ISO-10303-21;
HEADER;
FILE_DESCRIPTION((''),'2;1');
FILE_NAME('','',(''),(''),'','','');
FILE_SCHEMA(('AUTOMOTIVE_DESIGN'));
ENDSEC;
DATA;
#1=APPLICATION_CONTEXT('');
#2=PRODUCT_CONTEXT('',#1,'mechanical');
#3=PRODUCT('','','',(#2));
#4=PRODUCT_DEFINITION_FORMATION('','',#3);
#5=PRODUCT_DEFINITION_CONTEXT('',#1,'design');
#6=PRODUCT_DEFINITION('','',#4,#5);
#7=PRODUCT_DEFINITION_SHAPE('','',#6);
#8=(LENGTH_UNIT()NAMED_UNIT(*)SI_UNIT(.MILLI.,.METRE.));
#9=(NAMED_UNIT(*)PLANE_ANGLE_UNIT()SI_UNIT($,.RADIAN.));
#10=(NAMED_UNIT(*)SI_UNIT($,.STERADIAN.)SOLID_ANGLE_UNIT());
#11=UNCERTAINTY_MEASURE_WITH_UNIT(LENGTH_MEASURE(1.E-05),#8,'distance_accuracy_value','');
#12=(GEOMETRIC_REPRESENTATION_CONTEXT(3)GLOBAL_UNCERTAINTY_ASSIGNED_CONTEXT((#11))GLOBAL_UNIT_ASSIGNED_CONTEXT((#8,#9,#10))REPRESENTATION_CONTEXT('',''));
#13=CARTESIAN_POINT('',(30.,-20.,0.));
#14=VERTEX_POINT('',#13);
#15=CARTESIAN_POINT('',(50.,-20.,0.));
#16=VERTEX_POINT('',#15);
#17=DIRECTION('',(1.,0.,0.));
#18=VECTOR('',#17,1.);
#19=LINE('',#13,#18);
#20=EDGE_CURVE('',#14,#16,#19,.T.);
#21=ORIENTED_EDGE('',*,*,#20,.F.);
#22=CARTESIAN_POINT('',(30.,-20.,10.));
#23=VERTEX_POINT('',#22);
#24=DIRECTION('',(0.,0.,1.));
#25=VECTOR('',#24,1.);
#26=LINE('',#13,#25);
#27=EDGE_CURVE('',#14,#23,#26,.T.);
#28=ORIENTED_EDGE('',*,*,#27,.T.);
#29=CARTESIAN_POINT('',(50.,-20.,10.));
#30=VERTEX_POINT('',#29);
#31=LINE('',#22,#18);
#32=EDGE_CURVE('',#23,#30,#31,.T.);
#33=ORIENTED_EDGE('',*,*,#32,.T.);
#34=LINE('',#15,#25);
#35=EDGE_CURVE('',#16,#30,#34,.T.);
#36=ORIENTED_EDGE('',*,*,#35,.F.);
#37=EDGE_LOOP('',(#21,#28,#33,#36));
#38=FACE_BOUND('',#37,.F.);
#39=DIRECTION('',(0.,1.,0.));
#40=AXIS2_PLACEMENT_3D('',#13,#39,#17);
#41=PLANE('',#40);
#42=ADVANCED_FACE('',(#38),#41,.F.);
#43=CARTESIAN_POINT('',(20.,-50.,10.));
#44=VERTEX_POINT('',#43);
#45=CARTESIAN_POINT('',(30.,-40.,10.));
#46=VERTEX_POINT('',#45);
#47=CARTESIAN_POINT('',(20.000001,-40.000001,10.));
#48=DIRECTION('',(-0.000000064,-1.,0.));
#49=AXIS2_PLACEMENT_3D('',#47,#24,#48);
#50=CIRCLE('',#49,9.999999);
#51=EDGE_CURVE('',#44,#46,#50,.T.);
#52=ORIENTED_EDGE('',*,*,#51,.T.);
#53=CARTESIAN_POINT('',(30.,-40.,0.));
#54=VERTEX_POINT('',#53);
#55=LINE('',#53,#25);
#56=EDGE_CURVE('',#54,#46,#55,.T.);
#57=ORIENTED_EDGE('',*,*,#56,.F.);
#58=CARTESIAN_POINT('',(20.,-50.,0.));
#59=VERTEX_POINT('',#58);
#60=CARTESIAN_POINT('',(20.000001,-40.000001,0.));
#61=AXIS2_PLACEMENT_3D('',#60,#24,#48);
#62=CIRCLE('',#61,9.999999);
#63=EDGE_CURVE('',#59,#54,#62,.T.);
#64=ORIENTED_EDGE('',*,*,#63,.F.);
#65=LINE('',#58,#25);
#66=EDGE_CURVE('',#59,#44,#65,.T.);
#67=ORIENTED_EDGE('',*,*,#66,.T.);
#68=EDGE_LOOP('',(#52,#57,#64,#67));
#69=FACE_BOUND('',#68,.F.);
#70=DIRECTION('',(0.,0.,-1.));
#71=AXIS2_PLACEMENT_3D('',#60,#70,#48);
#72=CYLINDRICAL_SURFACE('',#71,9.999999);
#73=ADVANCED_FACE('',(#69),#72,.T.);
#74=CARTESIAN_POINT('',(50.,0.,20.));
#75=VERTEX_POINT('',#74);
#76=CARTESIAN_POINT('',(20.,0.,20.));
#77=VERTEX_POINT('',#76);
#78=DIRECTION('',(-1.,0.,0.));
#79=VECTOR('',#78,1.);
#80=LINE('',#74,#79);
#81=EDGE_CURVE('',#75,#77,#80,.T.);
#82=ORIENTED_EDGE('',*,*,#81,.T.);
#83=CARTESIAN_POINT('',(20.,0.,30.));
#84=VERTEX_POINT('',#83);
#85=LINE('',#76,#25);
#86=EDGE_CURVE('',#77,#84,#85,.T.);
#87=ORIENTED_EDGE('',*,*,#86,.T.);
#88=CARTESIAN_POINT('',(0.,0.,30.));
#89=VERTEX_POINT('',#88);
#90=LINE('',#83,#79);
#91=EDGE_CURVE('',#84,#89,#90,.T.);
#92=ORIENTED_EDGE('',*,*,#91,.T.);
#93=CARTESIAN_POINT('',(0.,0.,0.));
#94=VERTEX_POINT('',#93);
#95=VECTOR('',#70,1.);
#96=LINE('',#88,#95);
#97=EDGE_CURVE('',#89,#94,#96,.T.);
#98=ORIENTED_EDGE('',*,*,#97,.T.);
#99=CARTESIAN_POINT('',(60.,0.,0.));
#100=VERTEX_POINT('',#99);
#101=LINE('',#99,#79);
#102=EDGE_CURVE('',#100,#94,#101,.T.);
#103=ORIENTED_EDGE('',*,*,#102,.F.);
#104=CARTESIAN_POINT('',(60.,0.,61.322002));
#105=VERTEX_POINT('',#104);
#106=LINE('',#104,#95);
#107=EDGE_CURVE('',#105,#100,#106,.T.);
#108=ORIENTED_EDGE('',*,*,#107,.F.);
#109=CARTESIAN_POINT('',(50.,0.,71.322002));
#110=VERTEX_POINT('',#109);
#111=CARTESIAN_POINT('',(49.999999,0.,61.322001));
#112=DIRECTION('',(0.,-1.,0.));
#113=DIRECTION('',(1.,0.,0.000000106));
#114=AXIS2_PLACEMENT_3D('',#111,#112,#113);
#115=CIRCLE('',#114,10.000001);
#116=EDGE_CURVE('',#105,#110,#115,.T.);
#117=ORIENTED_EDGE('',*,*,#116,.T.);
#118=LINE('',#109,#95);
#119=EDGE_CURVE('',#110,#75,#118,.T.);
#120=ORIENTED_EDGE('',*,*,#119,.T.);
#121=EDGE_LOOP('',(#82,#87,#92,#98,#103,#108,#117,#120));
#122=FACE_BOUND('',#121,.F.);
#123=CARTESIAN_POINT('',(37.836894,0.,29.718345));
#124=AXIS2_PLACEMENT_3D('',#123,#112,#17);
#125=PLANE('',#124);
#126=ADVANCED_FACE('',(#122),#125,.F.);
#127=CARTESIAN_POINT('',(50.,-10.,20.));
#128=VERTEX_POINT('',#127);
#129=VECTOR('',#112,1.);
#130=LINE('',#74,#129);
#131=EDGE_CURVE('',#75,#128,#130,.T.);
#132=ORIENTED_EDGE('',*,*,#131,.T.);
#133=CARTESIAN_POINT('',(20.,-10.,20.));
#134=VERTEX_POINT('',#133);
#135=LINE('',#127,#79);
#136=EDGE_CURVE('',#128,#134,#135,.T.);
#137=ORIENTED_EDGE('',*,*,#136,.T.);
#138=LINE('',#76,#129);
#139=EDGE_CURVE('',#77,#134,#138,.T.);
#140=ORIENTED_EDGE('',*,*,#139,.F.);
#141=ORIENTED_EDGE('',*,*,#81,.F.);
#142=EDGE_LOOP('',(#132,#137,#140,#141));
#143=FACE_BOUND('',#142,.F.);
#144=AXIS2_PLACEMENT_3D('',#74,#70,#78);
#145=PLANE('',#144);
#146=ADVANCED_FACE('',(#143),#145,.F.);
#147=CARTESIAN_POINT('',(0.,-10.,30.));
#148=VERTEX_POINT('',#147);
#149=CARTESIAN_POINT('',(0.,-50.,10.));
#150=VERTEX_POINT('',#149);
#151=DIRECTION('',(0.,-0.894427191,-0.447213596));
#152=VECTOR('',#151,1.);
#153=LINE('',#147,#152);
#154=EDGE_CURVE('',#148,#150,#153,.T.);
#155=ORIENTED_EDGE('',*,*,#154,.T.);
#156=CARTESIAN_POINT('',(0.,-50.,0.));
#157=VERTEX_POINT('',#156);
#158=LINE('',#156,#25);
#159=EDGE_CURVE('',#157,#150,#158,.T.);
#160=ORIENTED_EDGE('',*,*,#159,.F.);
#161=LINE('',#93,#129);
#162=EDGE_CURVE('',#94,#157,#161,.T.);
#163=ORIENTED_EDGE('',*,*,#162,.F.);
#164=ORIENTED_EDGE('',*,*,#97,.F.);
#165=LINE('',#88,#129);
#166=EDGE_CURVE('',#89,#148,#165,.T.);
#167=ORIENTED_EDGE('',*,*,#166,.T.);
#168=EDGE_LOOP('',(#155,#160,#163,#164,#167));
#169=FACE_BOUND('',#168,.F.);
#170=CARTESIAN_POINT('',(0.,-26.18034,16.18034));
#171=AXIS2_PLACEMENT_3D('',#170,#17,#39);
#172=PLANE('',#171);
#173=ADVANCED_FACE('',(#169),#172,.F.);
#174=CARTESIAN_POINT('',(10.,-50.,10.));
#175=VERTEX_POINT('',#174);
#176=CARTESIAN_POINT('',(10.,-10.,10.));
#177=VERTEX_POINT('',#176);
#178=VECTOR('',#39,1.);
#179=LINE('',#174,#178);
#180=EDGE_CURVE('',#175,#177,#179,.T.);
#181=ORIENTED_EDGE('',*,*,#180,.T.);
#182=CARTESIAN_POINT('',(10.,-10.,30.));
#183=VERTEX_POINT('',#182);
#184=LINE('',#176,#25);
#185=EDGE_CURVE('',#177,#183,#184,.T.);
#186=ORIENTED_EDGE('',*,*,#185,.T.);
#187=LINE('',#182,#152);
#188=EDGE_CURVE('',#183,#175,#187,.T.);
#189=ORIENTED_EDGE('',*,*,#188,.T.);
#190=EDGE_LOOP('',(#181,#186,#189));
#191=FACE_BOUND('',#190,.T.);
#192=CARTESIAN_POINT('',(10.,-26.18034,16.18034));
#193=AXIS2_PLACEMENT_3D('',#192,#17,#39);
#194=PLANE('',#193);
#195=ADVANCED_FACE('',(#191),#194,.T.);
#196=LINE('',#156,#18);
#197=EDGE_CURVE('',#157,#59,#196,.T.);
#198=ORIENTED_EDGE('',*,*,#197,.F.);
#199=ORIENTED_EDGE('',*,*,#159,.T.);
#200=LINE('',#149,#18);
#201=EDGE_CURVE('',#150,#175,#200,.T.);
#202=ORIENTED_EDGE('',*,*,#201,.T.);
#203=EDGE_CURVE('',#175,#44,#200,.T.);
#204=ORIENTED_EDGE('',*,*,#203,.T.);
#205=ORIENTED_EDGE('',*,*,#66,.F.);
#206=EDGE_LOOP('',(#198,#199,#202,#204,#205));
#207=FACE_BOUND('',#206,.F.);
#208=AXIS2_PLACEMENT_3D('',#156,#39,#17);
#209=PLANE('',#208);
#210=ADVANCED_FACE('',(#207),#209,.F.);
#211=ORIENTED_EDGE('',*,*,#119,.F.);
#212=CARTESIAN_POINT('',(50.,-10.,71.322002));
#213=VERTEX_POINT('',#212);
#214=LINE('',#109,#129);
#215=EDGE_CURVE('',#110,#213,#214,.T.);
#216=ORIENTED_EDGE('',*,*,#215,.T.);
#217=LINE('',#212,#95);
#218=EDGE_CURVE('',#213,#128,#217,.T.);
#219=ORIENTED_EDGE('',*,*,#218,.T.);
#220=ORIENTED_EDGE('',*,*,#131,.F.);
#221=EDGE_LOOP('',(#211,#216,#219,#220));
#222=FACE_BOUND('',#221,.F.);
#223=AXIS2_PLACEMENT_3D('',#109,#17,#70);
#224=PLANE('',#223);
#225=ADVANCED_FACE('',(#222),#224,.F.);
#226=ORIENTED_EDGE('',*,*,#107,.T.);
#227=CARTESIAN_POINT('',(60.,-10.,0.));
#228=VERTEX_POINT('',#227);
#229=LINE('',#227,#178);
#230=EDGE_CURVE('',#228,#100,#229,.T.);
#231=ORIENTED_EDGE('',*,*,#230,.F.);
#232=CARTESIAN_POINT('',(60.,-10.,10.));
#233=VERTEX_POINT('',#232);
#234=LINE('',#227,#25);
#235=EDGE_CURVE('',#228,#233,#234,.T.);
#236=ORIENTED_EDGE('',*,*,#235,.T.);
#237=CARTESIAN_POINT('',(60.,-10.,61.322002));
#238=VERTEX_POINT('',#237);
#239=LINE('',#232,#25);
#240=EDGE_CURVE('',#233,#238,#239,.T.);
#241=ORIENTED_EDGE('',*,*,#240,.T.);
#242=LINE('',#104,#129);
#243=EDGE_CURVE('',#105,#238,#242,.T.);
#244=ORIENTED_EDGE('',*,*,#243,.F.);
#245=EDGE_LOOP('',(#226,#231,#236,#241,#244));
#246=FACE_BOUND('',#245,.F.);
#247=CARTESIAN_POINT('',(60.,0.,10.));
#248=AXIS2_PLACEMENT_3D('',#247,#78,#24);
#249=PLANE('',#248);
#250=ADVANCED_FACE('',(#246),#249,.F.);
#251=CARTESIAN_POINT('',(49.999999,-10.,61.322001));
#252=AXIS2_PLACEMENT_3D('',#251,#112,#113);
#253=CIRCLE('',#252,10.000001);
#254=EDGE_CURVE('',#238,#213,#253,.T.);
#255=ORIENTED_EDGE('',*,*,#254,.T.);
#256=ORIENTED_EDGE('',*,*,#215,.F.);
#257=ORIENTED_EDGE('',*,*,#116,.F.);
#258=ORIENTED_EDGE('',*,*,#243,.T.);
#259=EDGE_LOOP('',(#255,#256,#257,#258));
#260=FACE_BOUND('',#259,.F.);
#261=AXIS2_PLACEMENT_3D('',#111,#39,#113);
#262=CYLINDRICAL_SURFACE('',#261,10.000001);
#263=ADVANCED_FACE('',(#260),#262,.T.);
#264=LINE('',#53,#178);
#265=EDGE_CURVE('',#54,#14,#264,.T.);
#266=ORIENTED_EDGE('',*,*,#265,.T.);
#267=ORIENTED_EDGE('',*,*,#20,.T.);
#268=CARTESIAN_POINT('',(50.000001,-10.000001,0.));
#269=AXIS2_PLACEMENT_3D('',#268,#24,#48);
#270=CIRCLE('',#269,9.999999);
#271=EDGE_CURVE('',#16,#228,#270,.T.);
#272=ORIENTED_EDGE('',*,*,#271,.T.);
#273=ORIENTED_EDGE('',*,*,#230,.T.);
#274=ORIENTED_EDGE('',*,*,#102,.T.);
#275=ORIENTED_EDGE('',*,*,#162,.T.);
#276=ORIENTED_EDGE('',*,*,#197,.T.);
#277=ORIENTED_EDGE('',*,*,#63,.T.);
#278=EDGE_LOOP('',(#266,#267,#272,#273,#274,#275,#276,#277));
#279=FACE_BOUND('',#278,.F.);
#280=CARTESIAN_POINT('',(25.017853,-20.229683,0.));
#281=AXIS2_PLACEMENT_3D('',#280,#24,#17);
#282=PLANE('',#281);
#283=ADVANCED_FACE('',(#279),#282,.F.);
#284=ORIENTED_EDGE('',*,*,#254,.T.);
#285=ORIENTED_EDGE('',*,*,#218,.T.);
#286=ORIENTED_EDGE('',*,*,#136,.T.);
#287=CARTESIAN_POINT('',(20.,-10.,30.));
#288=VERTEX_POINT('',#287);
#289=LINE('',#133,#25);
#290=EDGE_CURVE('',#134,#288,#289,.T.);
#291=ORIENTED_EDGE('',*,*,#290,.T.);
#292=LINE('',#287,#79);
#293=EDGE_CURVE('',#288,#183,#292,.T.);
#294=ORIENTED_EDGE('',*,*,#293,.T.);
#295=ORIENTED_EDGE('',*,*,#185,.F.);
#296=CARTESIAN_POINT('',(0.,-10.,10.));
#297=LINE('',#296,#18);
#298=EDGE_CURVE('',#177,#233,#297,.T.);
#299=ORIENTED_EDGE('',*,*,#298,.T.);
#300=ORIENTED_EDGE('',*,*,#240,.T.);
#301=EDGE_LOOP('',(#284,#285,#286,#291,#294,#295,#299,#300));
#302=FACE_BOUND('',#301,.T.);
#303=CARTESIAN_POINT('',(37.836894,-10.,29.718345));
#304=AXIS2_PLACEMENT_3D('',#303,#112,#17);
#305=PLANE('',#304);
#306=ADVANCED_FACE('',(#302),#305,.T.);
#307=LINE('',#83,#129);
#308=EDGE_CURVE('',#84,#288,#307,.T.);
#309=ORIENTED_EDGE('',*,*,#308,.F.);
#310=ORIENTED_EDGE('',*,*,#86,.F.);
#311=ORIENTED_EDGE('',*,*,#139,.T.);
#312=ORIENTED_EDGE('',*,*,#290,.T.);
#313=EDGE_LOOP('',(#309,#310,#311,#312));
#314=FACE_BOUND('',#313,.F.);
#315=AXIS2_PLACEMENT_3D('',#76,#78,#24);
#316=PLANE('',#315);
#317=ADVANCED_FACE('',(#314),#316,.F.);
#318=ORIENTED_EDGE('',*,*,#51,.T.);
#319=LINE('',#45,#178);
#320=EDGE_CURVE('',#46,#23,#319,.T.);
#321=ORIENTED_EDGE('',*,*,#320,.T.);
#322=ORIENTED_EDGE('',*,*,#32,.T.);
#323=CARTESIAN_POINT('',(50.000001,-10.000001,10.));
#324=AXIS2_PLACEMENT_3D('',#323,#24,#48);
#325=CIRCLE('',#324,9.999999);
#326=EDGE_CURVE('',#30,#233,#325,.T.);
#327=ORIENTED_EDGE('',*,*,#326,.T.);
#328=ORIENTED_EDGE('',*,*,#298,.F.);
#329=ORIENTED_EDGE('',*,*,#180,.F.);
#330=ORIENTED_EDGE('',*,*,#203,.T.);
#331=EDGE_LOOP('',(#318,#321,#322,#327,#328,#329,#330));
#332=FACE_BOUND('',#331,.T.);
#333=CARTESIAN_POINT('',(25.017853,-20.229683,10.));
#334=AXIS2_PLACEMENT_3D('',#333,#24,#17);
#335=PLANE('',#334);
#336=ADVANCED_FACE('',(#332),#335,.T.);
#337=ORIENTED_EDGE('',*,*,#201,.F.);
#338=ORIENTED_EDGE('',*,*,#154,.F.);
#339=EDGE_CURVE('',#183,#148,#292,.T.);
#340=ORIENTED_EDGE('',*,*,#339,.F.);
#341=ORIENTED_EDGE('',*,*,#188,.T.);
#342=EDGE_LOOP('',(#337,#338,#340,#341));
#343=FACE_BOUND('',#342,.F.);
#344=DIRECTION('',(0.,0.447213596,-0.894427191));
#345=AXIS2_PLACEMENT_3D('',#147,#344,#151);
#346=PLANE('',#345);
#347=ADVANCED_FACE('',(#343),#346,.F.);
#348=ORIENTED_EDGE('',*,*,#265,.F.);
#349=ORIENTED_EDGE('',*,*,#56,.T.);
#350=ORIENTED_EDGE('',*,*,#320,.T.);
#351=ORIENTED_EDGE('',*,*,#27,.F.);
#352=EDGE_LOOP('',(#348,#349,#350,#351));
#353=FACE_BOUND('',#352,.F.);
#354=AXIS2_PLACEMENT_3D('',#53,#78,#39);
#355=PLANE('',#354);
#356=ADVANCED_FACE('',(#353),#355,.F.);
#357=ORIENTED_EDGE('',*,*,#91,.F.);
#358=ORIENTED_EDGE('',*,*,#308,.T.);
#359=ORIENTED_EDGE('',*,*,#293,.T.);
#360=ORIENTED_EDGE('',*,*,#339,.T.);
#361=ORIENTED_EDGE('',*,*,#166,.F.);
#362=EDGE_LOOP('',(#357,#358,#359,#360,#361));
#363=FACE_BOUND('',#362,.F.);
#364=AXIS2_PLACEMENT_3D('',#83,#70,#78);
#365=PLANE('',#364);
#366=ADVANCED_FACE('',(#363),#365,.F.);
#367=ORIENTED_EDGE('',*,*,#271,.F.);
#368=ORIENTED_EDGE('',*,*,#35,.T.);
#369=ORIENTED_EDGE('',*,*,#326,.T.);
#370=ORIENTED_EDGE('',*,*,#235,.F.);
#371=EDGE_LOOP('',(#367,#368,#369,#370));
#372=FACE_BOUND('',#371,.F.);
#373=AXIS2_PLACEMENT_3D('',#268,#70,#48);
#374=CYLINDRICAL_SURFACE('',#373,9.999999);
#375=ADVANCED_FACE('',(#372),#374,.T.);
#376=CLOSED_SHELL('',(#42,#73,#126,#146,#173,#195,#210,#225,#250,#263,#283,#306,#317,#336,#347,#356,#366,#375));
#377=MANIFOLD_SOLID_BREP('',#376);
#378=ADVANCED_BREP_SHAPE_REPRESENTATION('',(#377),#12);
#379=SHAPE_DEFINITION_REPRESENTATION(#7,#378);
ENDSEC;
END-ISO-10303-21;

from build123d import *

# Parameters (mm, degrees)
F1_DEPTH = 10
F3_DEPTH = 10
F5_DEPTH = 10


with BuildPart() as f1:
    # F0 (on Top) → F1 (new body)
    with BuildSketch(Plane.XY):
        with BuildLine():
            Line((60, 0), (0, 0))
            Line((0, 0), (0, -50))
            Line((0, -50), (20, -50))
            ThreePointArc((20, -50), (27.071068, -47.071068), (30, -40))
            Line((30, -40), (30, -20))
            Line((30, -20), (50, -20))
            ThreePointArc((50, -20), (57.071068, -17.071068), (60, -10))
            Line((60, -10), (60, 0))
        make_face()
    extrude(amount=F1_DEPTH)

    # F2 (on Front) → F3 (join)
    with BuildSketch(Plane.XZ):
        with BuildLine():
            Line((0, 30), (0, 10))
            Line((0, 10), (60, 10))
            Line((60, 10), (60, 61.322002))
            ThreePointArc((60, 61.322002), (57.071068, 68.393069), (50, 71.322002))
            Line((50, 71.322002), (50, 20))
            Line((50, 20), (20, 20))
            Line((20, 20), (20, 30))
            Line((20, 30), (0, 30))
        make_face()
    extrude(amount=F3_DEPTH)

    # F4 (on Right) → F5 (join)
    with BuildSketch(Plane.YZ):
        Polygon((-50, 10), (-10, 10), (-10, 30), align=None)
    extrude(amount=F5_DEPTH)


solid = f1.part
